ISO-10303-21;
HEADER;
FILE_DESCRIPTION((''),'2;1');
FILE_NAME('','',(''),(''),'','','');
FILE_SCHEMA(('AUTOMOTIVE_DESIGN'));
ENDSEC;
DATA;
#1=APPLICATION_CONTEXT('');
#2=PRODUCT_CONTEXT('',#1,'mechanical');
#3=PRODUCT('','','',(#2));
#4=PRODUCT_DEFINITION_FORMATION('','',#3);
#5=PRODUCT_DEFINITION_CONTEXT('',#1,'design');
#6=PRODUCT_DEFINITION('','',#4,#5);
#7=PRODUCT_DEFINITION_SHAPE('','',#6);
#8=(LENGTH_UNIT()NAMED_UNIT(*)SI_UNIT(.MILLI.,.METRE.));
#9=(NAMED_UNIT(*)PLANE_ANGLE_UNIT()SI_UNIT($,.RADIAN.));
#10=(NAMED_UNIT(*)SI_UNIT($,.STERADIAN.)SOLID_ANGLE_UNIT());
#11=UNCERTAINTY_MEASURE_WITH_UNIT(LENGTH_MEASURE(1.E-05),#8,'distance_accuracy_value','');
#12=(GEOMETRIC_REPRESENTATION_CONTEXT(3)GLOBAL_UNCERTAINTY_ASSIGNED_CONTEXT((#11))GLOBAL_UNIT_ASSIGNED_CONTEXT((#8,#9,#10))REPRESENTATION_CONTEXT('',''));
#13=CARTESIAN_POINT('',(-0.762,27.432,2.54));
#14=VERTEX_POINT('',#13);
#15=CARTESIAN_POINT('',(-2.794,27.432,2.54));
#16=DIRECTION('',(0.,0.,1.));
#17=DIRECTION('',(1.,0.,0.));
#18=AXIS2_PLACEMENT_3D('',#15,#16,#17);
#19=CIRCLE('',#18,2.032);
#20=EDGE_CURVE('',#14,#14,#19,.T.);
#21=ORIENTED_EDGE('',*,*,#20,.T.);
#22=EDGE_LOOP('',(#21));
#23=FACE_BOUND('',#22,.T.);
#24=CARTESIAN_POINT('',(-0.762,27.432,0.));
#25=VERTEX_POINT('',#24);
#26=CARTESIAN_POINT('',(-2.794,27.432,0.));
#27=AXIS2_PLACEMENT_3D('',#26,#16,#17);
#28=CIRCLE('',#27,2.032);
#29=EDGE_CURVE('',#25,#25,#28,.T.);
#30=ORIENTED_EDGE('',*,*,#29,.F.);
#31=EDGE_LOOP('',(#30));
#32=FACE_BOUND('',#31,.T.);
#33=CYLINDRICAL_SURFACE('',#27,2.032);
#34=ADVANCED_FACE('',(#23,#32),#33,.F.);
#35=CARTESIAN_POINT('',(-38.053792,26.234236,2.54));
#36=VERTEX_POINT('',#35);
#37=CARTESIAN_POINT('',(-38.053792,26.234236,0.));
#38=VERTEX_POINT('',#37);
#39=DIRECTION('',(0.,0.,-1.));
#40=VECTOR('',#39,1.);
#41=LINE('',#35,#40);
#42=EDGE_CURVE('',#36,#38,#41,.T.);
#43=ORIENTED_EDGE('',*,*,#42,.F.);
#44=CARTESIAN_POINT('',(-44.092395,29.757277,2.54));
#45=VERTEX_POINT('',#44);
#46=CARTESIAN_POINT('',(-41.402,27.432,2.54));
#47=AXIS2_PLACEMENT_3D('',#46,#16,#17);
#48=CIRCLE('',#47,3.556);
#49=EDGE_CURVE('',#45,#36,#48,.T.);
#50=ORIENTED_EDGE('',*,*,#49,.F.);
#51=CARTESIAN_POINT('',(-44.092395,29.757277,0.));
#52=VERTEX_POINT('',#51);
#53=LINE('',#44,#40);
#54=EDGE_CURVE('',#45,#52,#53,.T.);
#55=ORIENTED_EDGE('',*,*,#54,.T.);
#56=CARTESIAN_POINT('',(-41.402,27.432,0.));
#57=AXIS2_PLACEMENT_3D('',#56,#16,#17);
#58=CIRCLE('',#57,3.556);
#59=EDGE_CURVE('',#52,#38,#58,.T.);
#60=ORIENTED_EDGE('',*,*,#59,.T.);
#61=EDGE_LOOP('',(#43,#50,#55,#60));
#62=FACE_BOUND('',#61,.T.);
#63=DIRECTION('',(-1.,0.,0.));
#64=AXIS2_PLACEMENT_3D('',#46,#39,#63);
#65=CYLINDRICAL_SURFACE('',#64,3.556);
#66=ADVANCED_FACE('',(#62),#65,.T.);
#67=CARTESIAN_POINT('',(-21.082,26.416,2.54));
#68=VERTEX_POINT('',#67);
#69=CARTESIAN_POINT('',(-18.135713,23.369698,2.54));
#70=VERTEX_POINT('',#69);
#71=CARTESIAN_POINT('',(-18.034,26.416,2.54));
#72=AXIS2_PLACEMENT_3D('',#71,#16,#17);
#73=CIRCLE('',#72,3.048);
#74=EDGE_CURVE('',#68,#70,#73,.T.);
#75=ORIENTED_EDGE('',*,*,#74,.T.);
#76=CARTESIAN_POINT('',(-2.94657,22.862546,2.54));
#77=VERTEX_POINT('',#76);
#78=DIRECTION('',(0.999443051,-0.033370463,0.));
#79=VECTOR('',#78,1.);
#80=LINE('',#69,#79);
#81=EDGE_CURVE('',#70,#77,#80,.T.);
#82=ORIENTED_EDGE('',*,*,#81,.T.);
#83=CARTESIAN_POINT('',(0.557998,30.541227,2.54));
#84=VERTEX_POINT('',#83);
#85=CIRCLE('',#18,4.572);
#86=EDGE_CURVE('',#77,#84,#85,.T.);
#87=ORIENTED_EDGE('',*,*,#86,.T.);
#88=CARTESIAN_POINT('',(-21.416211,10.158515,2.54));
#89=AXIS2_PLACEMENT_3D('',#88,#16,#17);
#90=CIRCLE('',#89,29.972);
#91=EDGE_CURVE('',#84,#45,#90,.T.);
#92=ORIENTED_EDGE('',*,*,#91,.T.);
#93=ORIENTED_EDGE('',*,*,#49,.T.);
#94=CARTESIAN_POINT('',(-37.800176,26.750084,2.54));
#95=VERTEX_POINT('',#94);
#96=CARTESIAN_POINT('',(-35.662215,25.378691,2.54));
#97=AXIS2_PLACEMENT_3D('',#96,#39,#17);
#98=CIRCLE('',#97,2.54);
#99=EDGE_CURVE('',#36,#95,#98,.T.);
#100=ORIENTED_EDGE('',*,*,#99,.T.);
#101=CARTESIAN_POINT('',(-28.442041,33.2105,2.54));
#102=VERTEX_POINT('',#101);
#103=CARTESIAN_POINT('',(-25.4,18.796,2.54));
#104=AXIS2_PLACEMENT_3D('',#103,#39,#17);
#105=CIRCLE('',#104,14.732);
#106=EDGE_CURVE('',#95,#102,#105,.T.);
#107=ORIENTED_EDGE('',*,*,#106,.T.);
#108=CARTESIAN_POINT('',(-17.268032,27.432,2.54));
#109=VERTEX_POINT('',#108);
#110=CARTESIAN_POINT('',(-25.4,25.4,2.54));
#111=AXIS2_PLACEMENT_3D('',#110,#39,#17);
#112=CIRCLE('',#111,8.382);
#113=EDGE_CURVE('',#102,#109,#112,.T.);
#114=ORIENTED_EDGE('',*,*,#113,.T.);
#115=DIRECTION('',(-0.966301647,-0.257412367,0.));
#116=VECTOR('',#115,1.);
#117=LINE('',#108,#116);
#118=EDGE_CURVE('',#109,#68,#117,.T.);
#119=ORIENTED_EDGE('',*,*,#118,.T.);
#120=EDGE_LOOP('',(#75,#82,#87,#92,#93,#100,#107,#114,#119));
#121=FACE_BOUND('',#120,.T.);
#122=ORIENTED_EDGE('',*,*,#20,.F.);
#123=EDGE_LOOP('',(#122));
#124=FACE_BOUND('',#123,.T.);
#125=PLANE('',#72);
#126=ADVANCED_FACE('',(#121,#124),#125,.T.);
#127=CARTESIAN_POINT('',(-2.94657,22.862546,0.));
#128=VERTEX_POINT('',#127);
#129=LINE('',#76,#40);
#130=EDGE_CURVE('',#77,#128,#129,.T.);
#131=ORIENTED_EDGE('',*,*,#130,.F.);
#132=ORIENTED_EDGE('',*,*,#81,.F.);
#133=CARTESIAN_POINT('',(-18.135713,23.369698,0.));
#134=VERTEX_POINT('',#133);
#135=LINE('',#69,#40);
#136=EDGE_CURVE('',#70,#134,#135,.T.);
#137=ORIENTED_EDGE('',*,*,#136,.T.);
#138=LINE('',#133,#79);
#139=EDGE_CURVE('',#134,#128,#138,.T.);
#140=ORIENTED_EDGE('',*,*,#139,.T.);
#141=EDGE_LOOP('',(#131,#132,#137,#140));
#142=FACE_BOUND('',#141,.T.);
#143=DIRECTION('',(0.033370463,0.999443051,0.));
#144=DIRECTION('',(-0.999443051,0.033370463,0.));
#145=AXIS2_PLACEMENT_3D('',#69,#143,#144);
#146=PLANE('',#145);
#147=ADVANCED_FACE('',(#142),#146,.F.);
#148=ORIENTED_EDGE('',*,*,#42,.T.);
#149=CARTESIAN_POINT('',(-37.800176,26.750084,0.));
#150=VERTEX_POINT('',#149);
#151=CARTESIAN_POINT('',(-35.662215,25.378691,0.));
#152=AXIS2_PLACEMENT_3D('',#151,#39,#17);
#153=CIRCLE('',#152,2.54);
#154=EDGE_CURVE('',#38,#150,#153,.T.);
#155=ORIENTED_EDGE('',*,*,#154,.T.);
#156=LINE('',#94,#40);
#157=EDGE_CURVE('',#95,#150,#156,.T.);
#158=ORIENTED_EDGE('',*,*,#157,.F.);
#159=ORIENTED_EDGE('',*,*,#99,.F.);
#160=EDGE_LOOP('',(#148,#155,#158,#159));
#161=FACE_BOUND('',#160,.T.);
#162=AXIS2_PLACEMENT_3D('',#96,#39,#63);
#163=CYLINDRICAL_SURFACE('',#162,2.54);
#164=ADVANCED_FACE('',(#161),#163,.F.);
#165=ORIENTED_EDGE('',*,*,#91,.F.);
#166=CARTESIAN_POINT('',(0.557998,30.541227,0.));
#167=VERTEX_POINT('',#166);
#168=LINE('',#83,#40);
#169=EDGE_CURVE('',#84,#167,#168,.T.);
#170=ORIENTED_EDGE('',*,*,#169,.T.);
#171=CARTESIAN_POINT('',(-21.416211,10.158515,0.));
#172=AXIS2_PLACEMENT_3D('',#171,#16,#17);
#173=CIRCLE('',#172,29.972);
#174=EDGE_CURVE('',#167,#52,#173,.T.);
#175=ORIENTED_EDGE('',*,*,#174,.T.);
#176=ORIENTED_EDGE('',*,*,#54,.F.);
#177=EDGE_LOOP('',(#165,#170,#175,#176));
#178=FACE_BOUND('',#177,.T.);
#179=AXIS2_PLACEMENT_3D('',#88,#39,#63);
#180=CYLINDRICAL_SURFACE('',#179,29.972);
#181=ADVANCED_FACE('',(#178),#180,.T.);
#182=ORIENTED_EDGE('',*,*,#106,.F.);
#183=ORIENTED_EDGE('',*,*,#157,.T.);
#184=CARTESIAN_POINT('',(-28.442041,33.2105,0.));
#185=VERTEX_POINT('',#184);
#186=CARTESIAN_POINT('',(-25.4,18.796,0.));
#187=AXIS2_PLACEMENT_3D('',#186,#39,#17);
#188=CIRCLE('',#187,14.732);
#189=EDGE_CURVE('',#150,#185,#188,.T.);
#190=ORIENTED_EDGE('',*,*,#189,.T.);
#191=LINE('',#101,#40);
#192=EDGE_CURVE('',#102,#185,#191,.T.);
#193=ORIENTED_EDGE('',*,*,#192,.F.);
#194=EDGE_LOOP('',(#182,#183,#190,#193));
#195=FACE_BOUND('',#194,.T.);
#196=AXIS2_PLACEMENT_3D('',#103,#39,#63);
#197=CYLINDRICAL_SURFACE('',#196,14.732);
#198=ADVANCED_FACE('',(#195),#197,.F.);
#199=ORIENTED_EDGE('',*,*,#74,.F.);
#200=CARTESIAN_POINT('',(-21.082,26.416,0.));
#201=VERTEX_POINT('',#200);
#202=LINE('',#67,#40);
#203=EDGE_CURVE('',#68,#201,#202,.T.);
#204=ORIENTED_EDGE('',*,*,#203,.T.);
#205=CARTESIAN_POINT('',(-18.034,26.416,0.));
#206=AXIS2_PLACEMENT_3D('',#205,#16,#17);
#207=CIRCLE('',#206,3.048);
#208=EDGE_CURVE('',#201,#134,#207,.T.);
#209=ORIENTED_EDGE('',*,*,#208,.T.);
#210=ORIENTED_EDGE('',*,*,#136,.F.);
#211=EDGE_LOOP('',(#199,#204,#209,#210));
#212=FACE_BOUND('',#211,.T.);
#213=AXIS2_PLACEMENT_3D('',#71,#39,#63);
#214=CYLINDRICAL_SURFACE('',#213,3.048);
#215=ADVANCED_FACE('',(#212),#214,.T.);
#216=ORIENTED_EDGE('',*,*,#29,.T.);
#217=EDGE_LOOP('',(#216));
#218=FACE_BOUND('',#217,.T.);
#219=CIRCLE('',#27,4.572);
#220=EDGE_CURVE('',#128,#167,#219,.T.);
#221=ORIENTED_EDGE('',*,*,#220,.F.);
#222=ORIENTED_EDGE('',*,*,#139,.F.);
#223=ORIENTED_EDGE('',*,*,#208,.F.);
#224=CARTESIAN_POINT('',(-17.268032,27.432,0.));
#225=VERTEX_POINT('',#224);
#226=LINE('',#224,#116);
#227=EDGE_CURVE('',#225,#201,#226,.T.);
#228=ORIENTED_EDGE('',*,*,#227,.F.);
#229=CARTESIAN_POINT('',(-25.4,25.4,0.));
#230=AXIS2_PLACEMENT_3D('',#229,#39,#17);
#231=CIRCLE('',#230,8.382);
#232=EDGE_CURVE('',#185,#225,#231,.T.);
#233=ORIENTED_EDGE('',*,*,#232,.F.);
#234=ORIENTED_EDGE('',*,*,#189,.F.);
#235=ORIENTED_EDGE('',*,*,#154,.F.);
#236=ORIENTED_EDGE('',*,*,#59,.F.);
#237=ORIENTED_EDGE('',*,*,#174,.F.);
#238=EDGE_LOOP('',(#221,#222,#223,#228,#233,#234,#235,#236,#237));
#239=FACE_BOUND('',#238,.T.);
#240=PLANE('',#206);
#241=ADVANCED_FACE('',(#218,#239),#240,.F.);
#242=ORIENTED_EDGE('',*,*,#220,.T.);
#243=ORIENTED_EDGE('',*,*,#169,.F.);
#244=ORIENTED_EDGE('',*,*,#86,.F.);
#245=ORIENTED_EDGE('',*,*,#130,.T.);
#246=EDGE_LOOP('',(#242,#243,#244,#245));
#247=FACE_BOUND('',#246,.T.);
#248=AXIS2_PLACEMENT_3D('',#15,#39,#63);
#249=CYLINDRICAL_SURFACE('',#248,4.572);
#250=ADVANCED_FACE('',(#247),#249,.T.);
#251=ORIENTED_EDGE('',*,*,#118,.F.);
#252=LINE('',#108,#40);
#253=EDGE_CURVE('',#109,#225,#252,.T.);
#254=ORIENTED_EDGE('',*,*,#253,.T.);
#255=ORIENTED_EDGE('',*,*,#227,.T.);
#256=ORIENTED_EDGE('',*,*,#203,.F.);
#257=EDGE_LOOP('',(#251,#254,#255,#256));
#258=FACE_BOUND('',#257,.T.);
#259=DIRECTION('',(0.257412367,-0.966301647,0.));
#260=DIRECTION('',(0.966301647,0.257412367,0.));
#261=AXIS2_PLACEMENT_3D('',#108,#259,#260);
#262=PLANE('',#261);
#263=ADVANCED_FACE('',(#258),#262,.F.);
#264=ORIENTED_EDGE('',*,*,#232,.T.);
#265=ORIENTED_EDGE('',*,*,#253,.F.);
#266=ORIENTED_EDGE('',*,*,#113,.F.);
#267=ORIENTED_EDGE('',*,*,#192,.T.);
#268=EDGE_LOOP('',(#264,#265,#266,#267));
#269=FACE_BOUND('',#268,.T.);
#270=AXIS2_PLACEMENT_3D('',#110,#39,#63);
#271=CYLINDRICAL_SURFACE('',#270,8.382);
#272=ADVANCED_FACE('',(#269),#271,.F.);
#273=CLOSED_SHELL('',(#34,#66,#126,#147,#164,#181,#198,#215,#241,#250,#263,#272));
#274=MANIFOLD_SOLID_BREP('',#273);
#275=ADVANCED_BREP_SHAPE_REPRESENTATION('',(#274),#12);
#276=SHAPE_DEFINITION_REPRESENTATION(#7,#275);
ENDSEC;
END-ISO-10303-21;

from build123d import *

# Parameters (mm, degrees)
BOSS_EXTRUDE1_DEPTH = 2.54
SKETCH2_R           = 2.032
CUT_EXTRUDE1_DEPTH  = 61.316926471


with BuildPart() as part:
    # Sketch1 → Boss-Extrude1 (new body)
    with BuildSketch(Plane.XY):
        with BuildLine():
            Line((-18.135713172, 23.369697581), (-2.946569758, 22.862546371))
            ThreePointArc((-2.946569758, 22.862546371), (1.365281203, 25.533694473), (0.557997895, 30.541227253))
            ThreePointArc((0.557997895, 30.541227253), (-21.942363625, 40.125896641), (-44.092394737, 29.757276792))
            ThreePointArc((-44.092394737, 29.757276792), (-43.193963557, 24.360517848), (-38.053791843, 26.234236193))
            ThreePointArc((-38.053791843, 26.234236193), (-37.941623484, 26.499357867), (-37.800175961, 26.750084494))
            ThreePointArc((-37.800175961, 26.750084494), (-33.769573387, 30.919616017), (-28.44204105, 33.2105))
            ThreePointArc((-28.44204105, 33.2105), (-21.549726751, 32.845355593), (-17.268032218, 27.432))
            Line((-17.268032218, 27.432), (-21.082, 26.416))
            ThreePointArc((-21.082, 26.416), (-20.2249274, 24.29700469), (-18.135713172, 23.369697581))
        make_face()
    extrude(amount=BOSS_EXTRUDE1_DEPTH)

    # Sketch2 → Cut-Extrude1 (cut, through all)
    with BuildSketch(Plane.XY.offset(2.54)):
        with Locations((-2.794, 27.432)):
            Circle(SKETCH2_R)
    extrude(amount=-CUT_EXTRUDE1_DEPTH, mode=Mode.SUBTRACT)


solid = part.part
